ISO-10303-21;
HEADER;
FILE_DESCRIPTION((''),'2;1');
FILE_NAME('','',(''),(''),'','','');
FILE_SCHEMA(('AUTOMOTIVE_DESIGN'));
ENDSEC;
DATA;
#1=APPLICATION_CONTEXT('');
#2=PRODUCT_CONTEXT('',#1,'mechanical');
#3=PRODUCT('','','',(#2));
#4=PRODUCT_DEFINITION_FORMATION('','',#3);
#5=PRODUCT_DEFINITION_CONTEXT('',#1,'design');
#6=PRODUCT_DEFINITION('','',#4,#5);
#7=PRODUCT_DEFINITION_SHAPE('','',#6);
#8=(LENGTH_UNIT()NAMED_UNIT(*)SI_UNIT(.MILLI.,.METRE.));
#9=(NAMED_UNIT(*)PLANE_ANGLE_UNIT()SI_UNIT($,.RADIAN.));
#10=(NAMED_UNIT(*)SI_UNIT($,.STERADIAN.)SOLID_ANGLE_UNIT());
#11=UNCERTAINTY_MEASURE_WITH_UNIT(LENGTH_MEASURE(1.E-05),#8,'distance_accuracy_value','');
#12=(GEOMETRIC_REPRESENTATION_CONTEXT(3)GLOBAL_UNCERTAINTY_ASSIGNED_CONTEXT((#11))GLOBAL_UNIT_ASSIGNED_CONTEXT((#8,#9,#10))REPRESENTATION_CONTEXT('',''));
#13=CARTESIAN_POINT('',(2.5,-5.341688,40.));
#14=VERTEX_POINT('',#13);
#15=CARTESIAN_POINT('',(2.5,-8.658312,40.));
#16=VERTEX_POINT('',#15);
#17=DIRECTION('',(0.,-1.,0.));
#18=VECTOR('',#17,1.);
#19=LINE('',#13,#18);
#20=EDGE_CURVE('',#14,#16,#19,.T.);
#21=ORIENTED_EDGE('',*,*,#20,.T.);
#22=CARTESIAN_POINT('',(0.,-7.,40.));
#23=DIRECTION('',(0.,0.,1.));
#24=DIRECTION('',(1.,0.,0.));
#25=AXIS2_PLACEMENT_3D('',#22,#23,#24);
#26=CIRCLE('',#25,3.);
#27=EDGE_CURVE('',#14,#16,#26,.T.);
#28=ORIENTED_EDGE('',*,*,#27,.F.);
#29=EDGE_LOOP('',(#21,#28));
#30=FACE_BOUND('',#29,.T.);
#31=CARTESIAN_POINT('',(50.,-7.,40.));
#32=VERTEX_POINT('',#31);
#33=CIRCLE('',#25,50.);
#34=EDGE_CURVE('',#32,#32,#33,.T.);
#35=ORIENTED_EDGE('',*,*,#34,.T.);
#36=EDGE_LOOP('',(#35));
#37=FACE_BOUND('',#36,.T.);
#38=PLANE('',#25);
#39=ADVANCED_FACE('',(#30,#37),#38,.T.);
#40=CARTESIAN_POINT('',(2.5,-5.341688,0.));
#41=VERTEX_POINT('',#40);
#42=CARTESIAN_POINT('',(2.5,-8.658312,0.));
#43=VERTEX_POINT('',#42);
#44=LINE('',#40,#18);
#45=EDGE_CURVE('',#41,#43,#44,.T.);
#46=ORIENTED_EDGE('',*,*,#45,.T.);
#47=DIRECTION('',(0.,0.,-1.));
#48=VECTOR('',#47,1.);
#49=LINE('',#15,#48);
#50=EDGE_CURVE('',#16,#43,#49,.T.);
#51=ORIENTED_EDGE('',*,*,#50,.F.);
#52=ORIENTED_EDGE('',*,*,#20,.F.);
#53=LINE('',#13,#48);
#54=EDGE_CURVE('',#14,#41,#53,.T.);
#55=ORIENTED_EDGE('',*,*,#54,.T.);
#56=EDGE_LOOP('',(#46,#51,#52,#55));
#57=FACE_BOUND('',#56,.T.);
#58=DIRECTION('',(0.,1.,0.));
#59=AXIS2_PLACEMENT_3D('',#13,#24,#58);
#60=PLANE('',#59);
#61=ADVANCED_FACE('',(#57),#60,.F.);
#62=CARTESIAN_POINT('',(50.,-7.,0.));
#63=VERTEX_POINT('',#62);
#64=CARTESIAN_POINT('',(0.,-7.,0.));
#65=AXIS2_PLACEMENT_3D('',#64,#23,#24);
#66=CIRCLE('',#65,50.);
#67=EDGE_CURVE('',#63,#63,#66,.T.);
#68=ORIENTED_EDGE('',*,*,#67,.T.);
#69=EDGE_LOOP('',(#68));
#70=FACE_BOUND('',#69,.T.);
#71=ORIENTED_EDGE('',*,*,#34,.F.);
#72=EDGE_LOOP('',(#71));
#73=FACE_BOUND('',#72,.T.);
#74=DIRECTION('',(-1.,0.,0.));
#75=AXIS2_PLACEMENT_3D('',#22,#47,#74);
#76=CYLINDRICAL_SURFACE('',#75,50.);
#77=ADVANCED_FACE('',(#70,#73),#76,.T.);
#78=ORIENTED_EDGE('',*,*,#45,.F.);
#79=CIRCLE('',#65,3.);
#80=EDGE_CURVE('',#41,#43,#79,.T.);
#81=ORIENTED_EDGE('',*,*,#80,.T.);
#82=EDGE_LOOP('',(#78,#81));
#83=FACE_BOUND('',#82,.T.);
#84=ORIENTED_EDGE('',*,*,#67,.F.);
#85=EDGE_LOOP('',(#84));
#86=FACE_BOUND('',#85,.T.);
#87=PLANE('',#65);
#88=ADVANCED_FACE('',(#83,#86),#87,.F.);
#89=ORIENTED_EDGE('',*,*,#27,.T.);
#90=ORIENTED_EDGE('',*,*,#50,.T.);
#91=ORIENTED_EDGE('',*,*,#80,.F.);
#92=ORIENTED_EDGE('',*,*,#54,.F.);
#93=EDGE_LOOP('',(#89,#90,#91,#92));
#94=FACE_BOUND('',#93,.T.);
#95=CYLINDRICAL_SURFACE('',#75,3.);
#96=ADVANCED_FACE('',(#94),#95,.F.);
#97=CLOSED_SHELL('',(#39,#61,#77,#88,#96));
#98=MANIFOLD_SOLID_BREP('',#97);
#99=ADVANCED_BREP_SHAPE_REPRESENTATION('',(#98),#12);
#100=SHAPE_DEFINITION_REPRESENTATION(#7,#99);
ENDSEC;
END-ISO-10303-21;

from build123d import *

# Parameters (mm, degrees)
SKETCH_1_R      = 50
EXTRUDE_1_DEPTH = 40


with BuildPart() as part:
    # 스케치1 → 보스-돌출1 (new body)
    with BuildSketch(Plane.XY):
        with Locations((0, -7)):
            Circle(SKETCH_1_R)
        with BuildLine():
            Line((2.5, -5.341687605), (2.5, -8.658312395))
            ThreePointArc((2.5, -8.658312395), (-3, -7), (2.5, -5.341687605))
        make_face(mode=Mode.SUBTRACT)
    extrude(amount=EXTRUDE_1_DEPTH)


solid = part.part
